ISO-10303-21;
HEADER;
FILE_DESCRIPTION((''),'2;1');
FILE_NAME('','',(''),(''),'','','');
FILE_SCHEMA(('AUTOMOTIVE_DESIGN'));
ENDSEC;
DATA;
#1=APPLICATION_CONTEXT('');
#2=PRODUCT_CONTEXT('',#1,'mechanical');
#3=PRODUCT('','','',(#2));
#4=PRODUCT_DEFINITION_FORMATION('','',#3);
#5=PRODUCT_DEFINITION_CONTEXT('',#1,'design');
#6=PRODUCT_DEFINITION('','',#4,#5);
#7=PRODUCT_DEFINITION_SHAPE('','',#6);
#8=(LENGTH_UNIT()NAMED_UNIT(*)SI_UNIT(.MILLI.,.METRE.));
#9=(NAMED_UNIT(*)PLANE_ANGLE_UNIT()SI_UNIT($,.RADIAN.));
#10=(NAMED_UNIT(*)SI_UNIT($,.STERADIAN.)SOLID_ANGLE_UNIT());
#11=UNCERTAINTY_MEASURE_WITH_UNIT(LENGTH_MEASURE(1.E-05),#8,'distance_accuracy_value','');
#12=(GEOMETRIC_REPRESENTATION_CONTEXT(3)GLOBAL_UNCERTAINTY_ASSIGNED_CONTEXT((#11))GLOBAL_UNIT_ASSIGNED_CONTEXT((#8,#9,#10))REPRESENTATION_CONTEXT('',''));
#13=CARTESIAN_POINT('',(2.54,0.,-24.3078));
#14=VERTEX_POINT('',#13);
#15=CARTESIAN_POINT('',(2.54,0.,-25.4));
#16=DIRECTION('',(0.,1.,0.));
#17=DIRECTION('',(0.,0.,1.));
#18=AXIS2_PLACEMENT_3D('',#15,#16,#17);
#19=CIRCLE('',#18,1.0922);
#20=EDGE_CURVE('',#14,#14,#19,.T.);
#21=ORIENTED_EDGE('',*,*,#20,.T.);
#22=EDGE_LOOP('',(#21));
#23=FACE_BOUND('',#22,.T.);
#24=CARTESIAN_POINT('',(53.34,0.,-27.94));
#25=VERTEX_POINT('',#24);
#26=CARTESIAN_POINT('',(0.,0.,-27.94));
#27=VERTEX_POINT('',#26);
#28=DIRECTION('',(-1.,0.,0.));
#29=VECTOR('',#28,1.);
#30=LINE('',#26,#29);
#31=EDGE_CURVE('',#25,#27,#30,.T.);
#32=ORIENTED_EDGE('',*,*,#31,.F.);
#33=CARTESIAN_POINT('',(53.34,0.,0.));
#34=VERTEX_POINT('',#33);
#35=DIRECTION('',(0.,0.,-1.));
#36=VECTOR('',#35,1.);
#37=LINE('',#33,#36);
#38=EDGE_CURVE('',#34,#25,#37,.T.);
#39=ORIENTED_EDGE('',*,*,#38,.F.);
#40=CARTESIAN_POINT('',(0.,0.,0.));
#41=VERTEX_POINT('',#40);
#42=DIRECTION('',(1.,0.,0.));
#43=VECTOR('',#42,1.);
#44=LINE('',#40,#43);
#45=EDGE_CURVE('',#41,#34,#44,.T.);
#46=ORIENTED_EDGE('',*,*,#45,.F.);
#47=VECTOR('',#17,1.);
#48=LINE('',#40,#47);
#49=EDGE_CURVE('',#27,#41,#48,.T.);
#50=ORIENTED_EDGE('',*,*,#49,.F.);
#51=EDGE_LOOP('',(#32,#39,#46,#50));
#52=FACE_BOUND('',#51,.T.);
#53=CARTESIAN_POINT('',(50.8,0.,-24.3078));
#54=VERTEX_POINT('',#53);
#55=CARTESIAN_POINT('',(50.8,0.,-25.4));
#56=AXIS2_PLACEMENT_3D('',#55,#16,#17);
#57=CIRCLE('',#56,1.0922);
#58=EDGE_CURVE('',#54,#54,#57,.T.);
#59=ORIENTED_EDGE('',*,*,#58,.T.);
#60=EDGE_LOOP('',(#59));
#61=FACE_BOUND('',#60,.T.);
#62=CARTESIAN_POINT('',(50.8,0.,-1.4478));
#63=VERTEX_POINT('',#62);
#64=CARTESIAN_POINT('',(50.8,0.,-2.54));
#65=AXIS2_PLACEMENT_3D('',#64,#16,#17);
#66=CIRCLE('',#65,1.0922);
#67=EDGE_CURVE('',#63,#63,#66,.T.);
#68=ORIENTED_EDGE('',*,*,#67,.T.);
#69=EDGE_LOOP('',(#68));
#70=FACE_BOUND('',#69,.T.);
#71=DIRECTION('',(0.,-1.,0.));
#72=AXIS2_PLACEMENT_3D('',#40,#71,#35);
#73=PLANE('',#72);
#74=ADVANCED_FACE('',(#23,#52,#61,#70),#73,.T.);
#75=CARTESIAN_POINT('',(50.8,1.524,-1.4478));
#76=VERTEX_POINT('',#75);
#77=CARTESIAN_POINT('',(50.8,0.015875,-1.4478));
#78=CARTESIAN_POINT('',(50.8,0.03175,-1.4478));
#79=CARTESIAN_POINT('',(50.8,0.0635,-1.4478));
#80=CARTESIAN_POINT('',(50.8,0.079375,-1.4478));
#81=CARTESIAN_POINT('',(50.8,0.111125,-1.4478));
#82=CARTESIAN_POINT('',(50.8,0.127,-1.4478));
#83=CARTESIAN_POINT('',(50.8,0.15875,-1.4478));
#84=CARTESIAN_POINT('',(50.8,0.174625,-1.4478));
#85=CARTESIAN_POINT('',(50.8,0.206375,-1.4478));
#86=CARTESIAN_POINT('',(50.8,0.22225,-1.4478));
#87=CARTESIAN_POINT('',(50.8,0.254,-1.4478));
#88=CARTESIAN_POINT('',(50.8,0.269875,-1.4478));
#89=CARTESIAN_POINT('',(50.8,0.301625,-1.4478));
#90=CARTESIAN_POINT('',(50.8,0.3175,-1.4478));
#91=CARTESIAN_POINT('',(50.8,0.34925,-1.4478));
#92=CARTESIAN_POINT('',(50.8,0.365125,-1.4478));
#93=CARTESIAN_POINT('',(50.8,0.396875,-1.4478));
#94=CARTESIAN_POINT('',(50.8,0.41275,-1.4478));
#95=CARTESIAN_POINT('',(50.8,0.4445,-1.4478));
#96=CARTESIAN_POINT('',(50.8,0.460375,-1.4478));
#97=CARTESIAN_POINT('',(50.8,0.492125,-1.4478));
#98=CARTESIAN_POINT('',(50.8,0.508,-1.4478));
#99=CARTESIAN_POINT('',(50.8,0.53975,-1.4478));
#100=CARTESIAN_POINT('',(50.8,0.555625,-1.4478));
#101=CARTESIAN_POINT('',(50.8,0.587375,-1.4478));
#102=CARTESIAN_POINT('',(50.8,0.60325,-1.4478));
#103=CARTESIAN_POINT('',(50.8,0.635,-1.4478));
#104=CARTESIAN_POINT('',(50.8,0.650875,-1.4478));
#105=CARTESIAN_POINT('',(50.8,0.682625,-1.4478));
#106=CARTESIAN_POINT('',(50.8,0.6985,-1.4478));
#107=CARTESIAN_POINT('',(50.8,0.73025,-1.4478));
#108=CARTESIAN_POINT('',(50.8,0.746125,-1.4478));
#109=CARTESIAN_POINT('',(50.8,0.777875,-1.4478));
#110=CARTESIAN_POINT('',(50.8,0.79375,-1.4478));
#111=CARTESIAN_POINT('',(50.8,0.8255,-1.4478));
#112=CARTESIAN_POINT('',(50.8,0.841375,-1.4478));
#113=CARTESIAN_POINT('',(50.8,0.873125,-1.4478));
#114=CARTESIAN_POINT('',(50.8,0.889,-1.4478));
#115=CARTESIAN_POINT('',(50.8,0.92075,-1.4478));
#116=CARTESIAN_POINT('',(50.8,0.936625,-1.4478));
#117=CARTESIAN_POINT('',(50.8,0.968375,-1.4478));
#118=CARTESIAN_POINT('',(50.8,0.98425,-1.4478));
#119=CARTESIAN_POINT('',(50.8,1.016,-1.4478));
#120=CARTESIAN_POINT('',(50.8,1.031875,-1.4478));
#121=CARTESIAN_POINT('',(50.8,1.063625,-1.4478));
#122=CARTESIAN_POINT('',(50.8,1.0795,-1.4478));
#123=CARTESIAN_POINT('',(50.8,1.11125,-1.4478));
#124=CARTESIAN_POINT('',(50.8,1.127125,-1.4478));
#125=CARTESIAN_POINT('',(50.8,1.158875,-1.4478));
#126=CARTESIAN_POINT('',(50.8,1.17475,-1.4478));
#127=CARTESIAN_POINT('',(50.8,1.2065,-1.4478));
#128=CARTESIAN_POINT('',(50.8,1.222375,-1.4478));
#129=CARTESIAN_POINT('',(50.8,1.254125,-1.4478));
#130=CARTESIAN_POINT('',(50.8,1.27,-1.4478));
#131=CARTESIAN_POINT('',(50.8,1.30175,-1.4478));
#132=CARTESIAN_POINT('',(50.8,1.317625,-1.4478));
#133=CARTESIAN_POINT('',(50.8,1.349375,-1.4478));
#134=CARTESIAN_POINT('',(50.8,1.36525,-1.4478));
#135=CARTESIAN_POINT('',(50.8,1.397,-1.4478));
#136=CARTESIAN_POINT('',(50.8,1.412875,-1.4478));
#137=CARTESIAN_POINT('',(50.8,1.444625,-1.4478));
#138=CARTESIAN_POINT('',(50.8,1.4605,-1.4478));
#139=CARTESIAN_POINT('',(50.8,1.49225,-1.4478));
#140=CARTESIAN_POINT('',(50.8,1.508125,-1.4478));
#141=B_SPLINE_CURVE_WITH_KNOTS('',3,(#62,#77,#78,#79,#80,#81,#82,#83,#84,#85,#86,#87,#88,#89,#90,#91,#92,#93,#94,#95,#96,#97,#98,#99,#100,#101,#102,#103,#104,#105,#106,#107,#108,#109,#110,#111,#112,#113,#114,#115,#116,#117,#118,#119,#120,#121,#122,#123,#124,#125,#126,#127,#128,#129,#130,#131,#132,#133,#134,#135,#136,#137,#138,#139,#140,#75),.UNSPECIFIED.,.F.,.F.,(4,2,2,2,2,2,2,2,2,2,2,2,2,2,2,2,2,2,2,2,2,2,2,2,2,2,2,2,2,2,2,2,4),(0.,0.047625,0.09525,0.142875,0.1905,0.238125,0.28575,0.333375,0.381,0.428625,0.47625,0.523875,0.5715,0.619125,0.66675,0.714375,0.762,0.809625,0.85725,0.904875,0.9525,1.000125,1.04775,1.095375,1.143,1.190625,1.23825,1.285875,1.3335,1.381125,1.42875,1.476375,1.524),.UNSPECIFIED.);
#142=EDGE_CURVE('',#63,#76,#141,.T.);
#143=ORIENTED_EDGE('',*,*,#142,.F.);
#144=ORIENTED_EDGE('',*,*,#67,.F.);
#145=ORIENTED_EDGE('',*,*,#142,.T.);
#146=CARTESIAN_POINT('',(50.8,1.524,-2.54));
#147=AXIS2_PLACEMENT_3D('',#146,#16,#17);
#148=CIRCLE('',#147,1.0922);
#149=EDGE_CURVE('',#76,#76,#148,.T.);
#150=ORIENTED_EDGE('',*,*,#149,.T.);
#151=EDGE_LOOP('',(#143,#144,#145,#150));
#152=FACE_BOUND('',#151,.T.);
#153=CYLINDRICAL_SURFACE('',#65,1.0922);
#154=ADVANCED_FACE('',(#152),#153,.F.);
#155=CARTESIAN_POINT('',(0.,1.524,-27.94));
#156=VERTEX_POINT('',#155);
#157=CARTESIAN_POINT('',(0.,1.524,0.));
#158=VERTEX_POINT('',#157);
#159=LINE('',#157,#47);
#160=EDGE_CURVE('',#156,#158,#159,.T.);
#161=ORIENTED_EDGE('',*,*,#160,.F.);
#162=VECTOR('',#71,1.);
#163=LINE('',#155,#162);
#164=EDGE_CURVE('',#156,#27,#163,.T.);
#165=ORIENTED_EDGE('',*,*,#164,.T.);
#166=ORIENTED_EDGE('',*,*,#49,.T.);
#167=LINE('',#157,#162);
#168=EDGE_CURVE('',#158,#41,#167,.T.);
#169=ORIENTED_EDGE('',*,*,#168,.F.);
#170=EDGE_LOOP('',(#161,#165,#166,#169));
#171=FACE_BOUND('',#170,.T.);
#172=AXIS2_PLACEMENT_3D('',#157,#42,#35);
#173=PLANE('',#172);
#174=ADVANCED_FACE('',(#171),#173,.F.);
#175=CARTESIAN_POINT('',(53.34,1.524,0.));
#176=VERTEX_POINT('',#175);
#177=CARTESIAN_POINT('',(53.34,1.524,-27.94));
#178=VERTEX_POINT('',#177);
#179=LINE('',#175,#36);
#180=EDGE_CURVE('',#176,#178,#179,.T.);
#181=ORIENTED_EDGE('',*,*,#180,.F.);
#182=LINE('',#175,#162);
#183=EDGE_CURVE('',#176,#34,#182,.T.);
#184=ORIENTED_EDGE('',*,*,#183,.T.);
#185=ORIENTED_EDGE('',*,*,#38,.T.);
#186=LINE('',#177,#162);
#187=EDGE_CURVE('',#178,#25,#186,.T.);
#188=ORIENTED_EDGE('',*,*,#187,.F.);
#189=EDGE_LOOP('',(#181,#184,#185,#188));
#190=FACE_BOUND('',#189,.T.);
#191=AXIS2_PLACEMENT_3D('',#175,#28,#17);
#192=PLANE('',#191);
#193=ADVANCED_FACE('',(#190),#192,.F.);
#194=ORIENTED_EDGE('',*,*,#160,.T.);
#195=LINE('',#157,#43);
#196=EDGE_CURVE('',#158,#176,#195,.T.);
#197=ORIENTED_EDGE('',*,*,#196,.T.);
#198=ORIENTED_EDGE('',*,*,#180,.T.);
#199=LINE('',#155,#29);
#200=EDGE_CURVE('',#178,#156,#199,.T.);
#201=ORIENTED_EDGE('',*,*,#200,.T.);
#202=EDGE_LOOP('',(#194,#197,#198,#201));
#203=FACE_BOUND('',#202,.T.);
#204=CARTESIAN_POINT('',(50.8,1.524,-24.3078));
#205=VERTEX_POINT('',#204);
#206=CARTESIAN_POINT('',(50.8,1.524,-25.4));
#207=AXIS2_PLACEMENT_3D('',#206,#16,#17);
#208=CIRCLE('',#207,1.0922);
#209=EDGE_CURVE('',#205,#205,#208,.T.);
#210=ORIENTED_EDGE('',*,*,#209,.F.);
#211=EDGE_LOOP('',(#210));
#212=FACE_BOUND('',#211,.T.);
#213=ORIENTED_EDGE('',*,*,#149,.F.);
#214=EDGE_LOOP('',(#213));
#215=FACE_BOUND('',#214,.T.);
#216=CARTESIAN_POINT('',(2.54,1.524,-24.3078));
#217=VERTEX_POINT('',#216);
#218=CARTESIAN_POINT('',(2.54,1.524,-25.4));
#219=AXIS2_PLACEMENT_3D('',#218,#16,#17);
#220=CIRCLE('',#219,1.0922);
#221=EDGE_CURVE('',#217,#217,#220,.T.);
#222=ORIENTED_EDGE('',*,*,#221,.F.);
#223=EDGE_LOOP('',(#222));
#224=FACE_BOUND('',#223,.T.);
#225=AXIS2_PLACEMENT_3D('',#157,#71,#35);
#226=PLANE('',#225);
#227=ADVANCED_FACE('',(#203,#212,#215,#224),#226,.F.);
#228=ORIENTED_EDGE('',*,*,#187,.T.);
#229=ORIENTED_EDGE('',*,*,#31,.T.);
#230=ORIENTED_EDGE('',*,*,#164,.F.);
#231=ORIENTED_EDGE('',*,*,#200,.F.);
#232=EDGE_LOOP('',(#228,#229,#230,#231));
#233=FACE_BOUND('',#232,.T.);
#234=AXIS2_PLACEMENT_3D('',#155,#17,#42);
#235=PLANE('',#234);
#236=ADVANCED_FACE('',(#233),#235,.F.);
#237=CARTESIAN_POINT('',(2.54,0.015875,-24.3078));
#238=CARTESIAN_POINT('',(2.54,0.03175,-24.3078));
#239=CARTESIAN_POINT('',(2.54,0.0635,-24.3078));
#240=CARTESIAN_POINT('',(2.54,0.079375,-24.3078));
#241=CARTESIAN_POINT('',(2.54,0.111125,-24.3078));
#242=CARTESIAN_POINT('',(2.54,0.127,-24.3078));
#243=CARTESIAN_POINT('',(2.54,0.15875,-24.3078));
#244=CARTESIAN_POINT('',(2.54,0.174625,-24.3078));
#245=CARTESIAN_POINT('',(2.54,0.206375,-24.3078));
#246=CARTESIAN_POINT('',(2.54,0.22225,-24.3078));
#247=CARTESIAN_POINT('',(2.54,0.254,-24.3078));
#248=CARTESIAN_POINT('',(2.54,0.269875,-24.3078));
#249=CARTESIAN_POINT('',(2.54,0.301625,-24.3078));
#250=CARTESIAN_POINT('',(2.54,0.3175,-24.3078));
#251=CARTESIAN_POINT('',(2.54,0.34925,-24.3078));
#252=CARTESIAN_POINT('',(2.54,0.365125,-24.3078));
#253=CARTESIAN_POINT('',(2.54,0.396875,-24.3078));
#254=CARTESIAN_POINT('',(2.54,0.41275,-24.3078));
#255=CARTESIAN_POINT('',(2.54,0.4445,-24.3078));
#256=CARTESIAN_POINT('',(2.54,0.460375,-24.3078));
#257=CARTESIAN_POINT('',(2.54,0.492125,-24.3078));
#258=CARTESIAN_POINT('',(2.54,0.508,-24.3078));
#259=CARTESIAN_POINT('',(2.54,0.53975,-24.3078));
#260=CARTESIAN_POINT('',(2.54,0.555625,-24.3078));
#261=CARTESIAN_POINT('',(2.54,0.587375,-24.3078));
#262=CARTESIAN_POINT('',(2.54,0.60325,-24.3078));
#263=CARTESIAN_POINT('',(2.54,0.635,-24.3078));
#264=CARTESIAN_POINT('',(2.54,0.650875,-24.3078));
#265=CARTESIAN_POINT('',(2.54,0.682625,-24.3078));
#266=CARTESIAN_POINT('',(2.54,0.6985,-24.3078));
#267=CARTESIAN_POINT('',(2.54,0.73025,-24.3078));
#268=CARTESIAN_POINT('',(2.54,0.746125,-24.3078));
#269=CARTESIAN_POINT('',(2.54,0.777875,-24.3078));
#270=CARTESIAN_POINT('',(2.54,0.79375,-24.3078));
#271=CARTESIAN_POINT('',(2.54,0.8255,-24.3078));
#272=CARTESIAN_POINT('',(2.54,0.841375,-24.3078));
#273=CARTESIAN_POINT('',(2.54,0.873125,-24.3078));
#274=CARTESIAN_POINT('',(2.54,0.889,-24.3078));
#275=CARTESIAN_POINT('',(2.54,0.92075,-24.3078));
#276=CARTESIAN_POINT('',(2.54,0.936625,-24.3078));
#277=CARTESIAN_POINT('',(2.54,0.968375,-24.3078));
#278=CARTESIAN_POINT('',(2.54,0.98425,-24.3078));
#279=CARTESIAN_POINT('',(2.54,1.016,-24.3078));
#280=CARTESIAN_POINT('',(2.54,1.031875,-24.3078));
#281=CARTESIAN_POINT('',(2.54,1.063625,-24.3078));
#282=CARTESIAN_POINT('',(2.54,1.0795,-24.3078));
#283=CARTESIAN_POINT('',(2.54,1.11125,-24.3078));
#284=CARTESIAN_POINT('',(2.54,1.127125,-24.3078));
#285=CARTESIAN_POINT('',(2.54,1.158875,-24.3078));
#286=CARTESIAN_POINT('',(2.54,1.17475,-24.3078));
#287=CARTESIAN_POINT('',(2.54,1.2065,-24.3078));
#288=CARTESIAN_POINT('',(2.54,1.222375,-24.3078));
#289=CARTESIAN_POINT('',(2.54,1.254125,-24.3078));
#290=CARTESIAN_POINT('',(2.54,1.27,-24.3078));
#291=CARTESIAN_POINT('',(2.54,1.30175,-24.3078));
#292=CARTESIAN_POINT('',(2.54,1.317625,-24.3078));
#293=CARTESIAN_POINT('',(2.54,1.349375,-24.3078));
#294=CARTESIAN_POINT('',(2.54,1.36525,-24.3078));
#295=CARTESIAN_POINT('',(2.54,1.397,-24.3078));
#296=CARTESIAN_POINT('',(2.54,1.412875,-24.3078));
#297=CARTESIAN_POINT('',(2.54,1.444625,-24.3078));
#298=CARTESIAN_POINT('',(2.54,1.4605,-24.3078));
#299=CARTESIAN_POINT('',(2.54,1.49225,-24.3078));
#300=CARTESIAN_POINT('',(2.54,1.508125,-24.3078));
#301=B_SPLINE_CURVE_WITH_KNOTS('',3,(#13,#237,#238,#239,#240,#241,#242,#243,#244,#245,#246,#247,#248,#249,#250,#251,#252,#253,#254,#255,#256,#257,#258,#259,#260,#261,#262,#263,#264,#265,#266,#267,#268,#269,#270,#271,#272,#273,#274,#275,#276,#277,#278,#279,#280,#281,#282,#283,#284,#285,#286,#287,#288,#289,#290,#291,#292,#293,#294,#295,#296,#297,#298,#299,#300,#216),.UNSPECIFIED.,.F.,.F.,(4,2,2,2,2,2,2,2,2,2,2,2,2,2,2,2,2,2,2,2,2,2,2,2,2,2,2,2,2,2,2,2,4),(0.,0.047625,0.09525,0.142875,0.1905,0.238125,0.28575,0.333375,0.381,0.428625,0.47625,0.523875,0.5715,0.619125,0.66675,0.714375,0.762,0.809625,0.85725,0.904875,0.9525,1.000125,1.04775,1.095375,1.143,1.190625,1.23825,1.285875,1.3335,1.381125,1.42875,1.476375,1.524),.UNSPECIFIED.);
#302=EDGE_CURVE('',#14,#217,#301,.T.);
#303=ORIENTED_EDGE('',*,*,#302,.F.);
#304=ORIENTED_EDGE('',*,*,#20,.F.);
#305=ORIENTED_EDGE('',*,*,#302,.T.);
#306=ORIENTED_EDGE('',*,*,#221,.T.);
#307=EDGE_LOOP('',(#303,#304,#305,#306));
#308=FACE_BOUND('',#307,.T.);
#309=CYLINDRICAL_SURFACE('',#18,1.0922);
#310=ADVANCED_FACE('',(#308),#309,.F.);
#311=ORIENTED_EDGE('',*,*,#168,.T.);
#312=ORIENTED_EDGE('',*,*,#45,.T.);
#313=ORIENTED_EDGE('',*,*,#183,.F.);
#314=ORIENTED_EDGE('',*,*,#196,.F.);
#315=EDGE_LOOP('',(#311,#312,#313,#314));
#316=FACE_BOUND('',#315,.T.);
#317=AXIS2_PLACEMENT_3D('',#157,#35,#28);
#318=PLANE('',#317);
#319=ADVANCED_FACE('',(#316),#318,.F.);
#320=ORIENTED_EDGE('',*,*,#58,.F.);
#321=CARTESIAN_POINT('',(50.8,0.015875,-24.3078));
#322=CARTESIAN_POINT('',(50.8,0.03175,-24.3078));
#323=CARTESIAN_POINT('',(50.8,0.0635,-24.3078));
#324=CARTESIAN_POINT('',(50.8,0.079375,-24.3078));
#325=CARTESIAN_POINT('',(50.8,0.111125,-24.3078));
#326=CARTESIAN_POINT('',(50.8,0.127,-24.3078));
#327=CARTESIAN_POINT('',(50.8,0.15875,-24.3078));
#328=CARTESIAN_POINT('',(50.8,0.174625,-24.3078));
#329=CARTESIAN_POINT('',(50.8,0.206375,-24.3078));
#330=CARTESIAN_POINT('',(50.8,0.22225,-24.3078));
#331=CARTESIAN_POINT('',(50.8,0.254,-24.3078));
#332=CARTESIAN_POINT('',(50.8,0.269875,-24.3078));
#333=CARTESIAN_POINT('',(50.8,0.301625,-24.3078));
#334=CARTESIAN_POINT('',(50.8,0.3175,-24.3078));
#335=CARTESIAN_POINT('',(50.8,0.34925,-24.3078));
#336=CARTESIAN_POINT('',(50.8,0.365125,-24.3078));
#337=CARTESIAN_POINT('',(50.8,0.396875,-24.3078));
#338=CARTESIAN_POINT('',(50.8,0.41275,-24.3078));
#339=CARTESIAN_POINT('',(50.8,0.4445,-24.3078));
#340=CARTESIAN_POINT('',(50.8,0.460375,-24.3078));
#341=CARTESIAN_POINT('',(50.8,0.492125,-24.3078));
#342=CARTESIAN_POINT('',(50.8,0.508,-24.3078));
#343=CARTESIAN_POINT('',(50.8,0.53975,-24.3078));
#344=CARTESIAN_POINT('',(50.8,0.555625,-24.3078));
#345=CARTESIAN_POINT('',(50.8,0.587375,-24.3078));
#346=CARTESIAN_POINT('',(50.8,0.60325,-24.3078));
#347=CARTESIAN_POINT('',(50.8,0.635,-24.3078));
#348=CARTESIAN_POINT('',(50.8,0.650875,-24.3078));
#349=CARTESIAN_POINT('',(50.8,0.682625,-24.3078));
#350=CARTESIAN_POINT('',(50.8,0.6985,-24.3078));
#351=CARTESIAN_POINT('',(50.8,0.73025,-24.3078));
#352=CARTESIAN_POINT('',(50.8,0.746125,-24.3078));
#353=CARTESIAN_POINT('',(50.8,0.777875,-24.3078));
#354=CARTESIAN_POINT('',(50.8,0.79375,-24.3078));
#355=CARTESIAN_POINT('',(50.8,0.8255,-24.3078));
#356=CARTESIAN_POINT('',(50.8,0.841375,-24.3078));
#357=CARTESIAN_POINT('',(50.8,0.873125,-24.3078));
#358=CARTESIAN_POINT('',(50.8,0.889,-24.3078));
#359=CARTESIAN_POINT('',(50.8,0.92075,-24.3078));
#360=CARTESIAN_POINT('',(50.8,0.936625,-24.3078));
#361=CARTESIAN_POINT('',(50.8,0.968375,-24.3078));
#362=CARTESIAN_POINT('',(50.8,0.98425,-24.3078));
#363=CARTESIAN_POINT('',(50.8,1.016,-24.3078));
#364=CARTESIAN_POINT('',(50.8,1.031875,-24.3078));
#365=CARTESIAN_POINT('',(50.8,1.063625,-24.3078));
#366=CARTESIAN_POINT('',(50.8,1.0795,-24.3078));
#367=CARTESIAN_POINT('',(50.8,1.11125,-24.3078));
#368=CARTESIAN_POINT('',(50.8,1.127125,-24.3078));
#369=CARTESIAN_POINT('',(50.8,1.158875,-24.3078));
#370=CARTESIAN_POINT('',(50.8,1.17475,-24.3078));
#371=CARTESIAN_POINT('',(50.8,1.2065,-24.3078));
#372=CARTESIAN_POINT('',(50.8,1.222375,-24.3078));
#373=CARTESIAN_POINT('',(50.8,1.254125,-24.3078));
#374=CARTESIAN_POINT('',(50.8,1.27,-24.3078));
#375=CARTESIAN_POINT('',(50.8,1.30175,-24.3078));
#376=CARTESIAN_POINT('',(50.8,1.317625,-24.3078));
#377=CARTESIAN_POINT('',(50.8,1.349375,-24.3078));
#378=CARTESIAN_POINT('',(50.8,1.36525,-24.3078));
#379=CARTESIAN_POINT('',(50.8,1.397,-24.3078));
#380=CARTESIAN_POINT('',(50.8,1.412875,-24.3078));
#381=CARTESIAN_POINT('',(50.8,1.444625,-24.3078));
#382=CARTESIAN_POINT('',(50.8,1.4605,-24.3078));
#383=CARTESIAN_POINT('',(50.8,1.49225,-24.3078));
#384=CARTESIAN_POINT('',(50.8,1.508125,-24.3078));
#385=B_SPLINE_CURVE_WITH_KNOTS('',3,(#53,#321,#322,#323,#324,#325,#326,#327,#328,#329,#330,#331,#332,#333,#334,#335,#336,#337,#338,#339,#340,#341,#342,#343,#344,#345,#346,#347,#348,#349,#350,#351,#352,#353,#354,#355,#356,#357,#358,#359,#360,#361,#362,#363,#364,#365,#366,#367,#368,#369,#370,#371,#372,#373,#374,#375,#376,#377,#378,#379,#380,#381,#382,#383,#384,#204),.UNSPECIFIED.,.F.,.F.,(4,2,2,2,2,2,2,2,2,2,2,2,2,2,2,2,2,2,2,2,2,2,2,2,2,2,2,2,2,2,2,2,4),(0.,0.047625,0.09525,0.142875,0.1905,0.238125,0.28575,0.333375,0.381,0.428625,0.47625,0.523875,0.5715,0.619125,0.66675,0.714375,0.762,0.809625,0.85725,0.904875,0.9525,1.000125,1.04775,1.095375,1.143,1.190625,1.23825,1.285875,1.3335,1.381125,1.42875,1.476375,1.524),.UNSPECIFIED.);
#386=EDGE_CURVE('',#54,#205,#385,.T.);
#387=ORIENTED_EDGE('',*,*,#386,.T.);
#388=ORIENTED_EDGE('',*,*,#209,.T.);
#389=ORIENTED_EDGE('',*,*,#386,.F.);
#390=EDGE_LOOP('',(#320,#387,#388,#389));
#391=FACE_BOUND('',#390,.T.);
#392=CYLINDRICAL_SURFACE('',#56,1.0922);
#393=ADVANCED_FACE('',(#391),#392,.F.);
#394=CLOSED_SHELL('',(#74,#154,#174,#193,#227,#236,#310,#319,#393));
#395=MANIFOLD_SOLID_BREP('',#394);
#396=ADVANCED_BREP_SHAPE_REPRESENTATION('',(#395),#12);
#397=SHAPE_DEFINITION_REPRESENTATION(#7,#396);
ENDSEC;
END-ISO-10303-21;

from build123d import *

# Parameters (mm, degrees)
SKETCH1_W           = 53.34
SKETCH1_H           = 27.94
BOSS_EXTRUDE1_DEPTH = 1.524
SKETCH2_R           = 1.0922
CUT_EXTRUDE1_DEPTH  = 1.524


with BuildPart() as part:
    # Sketch1 → Boss-Extrude1 (new body)
    with BuildSketch(Plane(origin=(0, 0, 0), x_dir=(1, 0, 0), z_dir=(0, 1, 0))):
        with Locations((26.67, 13.97)):
            Rectangle(SKETCH1_W, SKETCH1_H)
    extrude(amount=BOSS_EXTRUDE1_DEPTH)

    # Sketch2 → Cut-Extrude1 (cut)
    with BuildSketch(Plane(origin=(0, 1.524, 0), x_dir=(1, 0, 0), z_dir=(0, 1, 0))):
        with Locations(Location((2.54, 25.4, 0), (0, 0, 270))):
            Circle(SKETCH2_R)
        with Locations(Location((50.8, 25.4, 0), (0, 0, 270))):
            Circle(SKETCH2_R)
        with Locations(Location((50.8, 2.54, 0), (0, 0, 270))):
            Circle(SKETCH2_R)
    extrude(amount=-CUT_EXTRUDE1_DEPTH, mode=Mode.SUBTRACT)


solid = part.part
